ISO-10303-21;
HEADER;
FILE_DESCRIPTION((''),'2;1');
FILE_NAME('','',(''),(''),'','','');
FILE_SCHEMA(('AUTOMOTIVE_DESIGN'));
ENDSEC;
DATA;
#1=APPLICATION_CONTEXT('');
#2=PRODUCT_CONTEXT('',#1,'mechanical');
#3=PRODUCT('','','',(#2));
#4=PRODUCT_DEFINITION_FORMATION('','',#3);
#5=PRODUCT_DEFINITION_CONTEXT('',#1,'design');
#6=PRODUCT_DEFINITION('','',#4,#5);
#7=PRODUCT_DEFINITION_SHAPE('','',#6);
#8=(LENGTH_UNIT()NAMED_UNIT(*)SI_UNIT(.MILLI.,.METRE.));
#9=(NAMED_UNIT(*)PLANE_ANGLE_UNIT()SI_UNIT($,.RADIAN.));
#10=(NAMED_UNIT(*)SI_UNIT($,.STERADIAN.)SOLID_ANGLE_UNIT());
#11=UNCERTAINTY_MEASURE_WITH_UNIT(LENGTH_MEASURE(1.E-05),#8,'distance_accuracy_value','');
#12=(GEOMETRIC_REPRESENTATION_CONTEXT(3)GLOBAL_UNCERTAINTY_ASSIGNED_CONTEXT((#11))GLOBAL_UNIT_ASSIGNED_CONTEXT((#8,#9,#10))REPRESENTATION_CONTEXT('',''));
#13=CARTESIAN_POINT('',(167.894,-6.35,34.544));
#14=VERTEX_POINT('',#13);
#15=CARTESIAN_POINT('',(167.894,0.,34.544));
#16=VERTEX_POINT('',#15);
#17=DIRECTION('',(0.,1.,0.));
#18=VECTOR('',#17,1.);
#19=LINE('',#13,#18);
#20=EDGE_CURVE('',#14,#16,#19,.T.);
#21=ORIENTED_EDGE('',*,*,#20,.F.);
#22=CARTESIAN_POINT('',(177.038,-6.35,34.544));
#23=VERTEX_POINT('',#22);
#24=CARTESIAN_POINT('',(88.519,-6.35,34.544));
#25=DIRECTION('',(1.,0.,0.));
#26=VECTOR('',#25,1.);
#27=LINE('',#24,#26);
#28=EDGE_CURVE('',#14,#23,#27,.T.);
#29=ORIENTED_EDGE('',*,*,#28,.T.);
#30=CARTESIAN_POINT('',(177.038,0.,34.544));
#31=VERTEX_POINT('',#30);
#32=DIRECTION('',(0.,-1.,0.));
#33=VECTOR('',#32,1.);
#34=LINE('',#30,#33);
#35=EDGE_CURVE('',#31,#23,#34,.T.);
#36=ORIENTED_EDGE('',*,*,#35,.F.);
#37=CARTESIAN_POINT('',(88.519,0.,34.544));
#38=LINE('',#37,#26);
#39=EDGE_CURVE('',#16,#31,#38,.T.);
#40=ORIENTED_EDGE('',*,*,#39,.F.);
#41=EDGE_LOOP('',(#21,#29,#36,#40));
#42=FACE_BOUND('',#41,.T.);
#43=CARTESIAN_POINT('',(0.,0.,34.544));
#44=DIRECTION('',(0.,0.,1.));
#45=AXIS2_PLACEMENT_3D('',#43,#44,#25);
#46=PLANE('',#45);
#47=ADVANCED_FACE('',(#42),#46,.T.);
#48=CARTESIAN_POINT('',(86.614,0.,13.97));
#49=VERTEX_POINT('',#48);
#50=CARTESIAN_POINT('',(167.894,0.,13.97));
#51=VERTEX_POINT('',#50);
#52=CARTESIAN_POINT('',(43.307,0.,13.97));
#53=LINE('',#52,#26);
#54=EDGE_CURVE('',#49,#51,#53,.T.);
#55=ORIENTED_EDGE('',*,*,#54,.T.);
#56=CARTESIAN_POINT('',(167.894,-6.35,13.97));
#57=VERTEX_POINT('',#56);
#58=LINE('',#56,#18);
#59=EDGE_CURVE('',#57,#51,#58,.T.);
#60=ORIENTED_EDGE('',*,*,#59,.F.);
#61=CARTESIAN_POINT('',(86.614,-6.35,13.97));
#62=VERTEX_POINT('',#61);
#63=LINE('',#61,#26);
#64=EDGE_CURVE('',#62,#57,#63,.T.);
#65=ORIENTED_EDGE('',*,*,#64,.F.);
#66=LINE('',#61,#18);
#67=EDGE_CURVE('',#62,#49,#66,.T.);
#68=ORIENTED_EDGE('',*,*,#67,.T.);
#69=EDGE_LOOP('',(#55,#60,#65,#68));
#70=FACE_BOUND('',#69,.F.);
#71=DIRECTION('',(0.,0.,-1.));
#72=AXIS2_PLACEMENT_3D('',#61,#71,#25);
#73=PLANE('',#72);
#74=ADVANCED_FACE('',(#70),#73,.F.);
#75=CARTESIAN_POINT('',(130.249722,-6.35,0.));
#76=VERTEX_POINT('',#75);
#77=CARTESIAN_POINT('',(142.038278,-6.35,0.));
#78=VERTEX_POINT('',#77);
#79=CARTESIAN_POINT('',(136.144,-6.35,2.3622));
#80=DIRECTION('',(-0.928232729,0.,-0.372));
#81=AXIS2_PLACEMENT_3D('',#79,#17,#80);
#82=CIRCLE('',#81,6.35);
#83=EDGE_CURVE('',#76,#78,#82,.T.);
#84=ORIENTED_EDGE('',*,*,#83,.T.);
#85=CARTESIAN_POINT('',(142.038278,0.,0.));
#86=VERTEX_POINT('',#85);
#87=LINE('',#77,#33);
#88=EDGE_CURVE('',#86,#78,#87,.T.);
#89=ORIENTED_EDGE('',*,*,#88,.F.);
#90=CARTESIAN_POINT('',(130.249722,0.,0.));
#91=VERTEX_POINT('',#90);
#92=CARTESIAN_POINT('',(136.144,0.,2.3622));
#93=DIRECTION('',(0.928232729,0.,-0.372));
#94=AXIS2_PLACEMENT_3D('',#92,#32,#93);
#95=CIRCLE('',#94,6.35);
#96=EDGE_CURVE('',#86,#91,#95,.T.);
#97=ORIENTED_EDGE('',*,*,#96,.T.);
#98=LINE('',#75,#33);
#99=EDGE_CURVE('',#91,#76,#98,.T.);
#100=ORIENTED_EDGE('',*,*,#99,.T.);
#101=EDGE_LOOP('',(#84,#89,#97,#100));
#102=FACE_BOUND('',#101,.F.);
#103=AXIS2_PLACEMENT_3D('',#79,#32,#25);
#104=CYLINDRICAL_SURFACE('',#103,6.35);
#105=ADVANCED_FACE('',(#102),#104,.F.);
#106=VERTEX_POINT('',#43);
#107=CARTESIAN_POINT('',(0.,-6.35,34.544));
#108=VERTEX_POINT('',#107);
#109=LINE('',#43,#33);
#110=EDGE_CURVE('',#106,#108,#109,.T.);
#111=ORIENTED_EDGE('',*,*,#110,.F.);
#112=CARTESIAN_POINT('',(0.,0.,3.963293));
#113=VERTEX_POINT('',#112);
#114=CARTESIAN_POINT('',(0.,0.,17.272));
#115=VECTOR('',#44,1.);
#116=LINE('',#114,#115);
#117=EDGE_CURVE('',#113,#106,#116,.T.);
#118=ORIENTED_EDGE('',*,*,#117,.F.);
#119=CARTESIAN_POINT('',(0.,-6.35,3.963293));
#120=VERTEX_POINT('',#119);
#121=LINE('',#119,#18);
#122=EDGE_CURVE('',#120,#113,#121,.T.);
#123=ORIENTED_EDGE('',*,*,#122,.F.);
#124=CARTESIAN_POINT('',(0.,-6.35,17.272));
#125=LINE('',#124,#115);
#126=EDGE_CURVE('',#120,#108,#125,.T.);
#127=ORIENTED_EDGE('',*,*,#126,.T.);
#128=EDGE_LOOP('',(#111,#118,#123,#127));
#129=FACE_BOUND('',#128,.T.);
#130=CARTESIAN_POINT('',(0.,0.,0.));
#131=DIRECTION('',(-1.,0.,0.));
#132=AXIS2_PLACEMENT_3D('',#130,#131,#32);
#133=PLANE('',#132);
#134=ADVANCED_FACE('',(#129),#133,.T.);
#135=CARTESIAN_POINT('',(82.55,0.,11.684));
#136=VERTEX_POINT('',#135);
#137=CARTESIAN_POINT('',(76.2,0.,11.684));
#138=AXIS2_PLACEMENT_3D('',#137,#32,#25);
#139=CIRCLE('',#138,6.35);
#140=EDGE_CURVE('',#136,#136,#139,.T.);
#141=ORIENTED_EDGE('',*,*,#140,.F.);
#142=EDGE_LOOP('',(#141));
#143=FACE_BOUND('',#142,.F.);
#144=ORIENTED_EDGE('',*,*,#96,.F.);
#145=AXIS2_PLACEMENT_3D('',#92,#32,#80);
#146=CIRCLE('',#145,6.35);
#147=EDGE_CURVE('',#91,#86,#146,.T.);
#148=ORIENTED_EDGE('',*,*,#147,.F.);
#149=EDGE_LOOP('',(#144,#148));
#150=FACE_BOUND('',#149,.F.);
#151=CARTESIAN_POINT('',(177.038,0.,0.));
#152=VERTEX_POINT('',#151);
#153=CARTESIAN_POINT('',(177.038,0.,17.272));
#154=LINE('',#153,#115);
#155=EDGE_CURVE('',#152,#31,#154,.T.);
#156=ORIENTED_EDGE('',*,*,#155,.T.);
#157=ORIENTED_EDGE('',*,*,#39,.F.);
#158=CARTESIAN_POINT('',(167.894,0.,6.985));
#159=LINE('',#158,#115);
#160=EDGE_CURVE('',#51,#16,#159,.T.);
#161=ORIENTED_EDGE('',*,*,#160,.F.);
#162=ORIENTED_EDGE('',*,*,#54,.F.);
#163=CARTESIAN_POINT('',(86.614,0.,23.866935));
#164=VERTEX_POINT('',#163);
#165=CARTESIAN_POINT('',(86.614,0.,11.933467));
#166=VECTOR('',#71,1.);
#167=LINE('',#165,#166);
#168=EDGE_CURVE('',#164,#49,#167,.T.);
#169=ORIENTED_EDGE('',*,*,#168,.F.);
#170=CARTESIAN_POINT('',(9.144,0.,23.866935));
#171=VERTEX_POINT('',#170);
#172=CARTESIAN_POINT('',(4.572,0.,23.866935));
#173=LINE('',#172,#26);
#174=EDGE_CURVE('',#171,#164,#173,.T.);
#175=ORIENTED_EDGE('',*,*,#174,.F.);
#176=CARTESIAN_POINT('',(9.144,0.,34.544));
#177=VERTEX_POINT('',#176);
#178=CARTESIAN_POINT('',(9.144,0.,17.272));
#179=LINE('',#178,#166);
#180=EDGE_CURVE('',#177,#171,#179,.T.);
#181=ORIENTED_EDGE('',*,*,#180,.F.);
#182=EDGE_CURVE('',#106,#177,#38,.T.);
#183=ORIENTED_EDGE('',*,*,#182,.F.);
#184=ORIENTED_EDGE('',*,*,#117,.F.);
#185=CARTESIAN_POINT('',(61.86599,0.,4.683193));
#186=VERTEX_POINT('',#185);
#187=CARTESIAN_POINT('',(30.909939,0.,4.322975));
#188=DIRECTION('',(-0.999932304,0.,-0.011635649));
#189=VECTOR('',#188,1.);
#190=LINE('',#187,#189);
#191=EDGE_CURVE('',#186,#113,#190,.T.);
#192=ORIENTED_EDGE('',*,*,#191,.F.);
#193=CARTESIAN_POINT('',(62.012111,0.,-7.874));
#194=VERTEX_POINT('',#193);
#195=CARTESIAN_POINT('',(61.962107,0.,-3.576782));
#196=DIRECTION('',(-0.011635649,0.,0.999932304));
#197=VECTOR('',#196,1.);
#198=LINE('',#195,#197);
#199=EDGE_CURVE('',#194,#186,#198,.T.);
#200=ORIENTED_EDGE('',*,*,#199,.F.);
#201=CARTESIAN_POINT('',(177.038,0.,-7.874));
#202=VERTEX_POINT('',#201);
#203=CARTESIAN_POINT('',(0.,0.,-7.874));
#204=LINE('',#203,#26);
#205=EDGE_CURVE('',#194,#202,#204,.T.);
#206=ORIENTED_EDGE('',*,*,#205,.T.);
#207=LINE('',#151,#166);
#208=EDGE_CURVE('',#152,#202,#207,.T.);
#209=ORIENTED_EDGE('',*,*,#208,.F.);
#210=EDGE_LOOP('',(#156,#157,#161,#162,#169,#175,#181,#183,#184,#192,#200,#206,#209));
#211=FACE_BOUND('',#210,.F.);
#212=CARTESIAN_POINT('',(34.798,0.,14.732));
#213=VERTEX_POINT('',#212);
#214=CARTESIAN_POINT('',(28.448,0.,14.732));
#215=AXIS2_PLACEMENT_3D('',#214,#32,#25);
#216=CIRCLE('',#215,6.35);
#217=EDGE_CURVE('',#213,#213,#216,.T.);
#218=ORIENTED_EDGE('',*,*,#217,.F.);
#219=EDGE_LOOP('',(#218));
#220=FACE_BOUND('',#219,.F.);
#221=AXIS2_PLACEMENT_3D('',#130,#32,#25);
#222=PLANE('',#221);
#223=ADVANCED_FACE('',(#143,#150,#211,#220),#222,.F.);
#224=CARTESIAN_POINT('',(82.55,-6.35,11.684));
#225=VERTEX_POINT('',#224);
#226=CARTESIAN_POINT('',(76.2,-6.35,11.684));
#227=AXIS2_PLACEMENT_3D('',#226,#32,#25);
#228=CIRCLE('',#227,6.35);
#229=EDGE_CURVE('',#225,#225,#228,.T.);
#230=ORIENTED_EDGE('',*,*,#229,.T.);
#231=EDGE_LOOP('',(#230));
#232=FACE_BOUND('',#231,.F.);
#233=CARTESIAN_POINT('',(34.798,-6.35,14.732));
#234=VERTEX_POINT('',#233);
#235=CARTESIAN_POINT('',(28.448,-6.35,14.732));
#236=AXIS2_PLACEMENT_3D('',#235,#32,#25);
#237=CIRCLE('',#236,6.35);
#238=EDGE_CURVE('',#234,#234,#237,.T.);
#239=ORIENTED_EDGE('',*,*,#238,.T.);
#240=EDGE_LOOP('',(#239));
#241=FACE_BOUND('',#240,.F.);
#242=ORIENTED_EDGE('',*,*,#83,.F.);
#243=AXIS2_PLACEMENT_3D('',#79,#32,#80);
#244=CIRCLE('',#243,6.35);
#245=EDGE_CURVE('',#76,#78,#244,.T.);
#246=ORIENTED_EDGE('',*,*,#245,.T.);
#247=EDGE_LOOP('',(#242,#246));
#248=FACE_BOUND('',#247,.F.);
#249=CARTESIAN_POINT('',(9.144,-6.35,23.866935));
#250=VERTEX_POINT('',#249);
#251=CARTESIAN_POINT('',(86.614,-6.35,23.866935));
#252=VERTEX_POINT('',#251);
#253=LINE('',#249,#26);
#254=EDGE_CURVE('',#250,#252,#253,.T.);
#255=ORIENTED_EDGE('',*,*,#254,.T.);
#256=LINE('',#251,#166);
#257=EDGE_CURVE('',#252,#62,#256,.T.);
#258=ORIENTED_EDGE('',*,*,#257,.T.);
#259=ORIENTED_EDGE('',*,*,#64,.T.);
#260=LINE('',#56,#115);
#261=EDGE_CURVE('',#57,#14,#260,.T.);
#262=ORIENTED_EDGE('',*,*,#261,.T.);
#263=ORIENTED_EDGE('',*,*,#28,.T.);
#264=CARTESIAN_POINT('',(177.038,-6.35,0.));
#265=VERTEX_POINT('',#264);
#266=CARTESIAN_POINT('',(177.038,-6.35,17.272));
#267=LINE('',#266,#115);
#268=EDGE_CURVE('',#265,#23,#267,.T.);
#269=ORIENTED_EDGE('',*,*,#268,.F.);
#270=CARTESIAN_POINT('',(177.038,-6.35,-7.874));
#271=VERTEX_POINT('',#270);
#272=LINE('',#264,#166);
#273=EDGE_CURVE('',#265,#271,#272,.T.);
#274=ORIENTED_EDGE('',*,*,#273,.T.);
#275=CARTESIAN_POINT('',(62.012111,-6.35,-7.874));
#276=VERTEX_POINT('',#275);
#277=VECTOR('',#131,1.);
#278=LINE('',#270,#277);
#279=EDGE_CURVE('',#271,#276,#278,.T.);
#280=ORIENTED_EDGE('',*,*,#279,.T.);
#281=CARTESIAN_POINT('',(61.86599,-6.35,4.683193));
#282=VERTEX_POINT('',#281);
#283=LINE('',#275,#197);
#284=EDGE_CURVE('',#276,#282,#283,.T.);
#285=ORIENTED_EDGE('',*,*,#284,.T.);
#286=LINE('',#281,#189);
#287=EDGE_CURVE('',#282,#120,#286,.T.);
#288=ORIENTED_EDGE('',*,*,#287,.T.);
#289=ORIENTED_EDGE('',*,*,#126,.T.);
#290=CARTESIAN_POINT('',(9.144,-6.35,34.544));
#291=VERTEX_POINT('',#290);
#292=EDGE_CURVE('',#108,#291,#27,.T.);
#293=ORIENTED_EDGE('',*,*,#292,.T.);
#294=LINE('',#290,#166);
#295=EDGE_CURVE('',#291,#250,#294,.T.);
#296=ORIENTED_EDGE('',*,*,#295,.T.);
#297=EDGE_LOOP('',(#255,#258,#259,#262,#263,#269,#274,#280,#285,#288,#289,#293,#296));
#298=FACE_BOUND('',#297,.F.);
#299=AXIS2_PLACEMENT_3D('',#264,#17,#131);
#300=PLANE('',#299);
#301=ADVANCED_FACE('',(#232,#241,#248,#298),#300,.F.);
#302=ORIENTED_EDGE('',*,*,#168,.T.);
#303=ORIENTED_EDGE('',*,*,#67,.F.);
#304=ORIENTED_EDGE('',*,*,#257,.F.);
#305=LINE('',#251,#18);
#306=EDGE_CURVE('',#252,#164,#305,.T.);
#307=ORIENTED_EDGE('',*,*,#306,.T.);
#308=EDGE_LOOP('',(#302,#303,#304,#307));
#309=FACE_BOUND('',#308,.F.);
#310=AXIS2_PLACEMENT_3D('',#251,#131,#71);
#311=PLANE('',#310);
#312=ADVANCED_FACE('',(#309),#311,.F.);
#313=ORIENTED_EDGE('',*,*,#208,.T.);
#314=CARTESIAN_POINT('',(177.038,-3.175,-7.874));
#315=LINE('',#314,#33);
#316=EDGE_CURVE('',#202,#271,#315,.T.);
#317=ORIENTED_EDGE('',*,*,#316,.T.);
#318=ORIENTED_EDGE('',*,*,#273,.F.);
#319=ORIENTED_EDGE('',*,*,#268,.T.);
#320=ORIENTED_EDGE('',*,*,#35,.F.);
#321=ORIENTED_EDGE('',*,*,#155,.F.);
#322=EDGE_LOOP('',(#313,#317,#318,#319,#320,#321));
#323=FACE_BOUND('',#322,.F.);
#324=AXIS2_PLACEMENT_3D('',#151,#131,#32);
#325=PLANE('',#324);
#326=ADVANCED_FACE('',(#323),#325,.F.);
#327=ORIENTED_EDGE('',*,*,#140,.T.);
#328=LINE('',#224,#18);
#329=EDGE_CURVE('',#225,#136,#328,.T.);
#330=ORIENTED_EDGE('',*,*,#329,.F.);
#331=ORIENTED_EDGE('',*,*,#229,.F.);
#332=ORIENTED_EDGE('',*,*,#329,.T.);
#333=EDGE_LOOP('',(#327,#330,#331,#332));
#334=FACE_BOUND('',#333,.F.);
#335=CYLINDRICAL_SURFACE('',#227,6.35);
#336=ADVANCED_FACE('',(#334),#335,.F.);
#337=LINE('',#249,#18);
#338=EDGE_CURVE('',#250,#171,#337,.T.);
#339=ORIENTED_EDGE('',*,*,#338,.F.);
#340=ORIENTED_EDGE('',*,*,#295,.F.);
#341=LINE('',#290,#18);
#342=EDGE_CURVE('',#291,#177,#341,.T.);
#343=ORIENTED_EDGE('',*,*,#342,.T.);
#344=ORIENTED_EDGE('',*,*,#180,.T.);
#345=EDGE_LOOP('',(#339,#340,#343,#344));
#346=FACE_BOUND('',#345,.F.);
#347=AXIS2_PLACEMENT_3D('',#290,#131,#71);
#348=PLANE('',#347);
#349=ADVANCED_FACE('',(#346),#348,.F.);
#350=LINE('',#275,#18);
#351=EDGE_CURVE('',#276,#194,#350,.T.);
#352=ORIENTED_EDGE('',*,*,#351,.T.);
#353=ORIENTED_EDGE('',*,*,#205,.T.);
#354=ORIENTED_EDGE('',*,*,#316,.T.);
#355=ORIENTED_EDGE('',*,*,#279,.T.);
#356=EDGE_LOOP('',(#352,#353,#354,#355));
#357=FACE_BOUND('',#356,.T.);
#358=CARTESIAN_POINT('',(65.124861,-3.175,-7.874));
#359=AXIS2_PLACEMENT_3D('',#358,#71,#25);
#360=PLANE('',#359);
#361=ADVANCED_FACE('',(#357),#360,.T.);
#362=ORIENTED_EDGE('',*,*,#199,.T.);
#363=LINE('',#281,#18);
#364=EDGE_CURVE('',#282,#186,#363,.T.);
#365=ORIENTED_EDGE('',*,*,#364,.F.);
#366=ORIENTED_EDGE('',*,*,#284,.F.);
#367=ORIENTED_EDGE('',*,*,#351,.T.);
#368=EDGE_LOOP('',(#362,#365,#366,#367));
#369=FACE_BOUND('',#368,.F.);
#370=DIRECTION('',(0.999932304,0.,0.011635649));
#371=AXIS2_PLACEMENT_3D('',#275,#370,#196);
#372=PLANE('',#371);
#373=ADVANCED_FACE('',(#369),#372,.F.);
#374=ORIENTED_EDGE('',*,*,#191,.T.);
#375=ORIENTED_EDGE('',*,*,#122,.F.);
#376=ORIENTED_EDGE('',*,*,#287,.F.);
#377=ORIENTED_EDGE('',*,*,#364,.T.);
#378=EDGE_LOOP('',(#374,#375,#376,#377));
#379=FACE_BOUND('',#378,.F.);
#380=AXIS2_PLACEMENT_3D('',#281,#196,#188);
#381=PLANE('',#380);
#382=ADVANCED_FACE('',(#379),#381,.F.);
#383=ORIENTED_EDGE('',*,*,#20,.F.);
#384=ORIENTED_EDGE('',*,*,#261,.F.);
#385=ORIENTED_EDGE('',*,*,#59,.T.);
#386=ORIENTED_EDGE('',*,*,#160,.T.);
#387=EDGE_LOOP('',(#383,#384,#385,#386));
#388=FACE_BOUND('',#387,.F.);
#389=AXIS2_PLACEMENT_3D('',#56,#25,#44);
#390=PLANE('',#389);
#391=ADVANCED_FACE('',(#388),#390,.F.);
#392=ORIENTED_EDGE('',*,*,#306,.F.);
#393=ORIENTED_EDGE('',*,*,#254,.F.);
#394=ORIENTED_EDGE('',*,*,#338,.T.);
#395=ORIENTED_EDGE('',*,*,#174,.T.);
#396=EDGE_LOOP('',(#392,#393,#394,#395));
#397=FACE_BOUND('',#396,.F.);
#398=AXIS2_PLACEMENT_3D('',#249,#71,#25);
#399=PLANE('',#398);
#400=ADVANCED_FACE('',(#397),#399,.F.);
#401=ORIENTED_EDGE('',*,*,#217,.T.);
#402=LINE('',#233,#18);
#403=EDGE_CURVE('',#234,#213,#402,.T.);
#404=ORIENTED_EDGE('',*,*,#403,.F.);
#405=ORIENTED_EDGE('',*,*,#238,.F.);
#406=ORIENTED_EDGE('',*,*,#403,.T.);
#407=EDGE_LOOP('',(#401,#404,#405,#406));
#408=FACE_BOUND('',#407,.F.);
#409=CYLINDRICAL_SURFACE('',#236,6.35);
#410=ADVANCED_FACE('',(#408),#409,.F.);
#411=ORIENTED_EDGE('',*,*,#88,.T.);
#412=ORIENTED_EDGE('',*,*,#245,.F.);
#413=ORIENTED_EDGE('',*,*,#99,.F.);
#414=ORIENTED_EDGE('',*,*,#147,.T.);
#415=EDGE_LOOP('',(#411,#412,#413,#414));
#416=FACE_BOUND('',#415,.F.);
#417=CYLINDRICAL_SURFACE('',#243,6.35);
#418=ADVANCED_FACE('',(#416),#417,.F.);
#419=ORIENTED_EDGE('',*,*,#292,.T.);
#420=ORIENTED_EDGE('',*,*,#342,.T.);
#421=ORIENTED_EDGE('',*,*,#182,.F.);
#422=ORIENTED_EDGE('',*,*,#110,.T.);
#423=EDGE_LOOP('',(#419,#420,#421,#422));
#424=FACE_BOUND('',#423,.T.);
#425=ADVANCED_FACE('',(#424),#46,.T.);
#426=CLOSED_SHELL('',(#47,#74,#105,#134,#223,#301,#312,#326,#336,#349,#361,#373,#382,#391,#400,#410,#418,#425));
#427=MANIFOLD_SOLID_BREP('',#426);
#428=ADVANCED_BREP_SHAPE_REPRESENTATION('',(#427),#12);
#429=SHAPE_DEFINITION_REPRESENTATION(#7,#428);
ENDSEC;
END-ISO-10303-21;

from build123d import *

# Parameters (mm, degrees)
F0_W      = 177.038
F0_H      = 34.544
F1_DEPTH  = 6.35
F2_R      = 6.35
F3_DEPTH  = 6.351
F4_DEPTH  = 25.4
F6_W      = 130.2497221681
F6_H      = 6.35
F6_W_2    = 46.7882778319
F7_DEPTH  = 7.874
F9_DEPTH  = 25.4
F11_DEPTH = 25.4


with BuildPart() as f1:
    # F0 (on Front) → F1 (new body)
    with BuildSketch(Plane.XZ):
        with Locations((88.519, 17.272)):
            Rectangle(F0_W, F0_H)
    extrude(amount=F1_DEPTH)

    # F2 (on face) → F3 (cut, through all)
    with BuildSketch(Plane.XZ.offset(6.35)):
        with Locations((28.448, 14.732)):
            Circle(F2_R)
    extrude(amount=-F3_DEPTH, mode=Mode.SUBTRACT)

    # F2 (on face) → F4 (cut)
    with BuildSketch(Plane.XZ.offset(6.35)):
        with Locations((28.448, 14.732)):
            Circle(F2_R)
        with Locations((76.2, 11.684)):
            Circle(F2_R)
        with Locations((136.144, 2.3622)):
            Circle(F2_R)
    extrude(amount=-F4_DEPTH, mode=Mode.SUBTRACT)

    # F6 (on face) → F7 (join)
    with BuildSketch(Plane(origin=(0, 0, 0), x_dir=(1, 0, 0), z_dir=(0, 0, -1))):
        with Locations((65.124861084, 3.175)):
            Rectangle(F6_W, F6_H)
        with Locations((153.643861084, 3.175)):
            Rectangle(F6_W_2, F6_H)
    extrude(amount=F7_DEPTH)

    # F8 (on face) → F9 (cut)
    with BuildSketch(Plane.XZ.offset(6.35)):
        with BuildLine():
            Line((142.0382778319, 0), (130.2497221681, 0))
            ThreePointArc((130.2497221681, 0), (136.144, -3.9878), (142.0382778319, 0))
        make_face()
    extrude(amount=-F9_DEPTH, mode=Mode.SUBTRACT)

    # F10 (on face) → F11 (cut)
    with BuildSketch(Plane.XZ.offset(6.35)):
        Polygon((167.894, 34.544), (9.144, 34.544), (9.144, 23.8669347018), (86.614, 23.8669347018), (86.614, 13.97), (167.894, 13.97), align=None)
        Polygon((61.8659904612, 4.6831931899), (0, 3.9632934857), (0, -7.874), (62.0121114495, -7.874), align=None)
    extrude(amount=-F11_DEPTH, mode=Mode.SUBTRACT)


solid = f1.part
